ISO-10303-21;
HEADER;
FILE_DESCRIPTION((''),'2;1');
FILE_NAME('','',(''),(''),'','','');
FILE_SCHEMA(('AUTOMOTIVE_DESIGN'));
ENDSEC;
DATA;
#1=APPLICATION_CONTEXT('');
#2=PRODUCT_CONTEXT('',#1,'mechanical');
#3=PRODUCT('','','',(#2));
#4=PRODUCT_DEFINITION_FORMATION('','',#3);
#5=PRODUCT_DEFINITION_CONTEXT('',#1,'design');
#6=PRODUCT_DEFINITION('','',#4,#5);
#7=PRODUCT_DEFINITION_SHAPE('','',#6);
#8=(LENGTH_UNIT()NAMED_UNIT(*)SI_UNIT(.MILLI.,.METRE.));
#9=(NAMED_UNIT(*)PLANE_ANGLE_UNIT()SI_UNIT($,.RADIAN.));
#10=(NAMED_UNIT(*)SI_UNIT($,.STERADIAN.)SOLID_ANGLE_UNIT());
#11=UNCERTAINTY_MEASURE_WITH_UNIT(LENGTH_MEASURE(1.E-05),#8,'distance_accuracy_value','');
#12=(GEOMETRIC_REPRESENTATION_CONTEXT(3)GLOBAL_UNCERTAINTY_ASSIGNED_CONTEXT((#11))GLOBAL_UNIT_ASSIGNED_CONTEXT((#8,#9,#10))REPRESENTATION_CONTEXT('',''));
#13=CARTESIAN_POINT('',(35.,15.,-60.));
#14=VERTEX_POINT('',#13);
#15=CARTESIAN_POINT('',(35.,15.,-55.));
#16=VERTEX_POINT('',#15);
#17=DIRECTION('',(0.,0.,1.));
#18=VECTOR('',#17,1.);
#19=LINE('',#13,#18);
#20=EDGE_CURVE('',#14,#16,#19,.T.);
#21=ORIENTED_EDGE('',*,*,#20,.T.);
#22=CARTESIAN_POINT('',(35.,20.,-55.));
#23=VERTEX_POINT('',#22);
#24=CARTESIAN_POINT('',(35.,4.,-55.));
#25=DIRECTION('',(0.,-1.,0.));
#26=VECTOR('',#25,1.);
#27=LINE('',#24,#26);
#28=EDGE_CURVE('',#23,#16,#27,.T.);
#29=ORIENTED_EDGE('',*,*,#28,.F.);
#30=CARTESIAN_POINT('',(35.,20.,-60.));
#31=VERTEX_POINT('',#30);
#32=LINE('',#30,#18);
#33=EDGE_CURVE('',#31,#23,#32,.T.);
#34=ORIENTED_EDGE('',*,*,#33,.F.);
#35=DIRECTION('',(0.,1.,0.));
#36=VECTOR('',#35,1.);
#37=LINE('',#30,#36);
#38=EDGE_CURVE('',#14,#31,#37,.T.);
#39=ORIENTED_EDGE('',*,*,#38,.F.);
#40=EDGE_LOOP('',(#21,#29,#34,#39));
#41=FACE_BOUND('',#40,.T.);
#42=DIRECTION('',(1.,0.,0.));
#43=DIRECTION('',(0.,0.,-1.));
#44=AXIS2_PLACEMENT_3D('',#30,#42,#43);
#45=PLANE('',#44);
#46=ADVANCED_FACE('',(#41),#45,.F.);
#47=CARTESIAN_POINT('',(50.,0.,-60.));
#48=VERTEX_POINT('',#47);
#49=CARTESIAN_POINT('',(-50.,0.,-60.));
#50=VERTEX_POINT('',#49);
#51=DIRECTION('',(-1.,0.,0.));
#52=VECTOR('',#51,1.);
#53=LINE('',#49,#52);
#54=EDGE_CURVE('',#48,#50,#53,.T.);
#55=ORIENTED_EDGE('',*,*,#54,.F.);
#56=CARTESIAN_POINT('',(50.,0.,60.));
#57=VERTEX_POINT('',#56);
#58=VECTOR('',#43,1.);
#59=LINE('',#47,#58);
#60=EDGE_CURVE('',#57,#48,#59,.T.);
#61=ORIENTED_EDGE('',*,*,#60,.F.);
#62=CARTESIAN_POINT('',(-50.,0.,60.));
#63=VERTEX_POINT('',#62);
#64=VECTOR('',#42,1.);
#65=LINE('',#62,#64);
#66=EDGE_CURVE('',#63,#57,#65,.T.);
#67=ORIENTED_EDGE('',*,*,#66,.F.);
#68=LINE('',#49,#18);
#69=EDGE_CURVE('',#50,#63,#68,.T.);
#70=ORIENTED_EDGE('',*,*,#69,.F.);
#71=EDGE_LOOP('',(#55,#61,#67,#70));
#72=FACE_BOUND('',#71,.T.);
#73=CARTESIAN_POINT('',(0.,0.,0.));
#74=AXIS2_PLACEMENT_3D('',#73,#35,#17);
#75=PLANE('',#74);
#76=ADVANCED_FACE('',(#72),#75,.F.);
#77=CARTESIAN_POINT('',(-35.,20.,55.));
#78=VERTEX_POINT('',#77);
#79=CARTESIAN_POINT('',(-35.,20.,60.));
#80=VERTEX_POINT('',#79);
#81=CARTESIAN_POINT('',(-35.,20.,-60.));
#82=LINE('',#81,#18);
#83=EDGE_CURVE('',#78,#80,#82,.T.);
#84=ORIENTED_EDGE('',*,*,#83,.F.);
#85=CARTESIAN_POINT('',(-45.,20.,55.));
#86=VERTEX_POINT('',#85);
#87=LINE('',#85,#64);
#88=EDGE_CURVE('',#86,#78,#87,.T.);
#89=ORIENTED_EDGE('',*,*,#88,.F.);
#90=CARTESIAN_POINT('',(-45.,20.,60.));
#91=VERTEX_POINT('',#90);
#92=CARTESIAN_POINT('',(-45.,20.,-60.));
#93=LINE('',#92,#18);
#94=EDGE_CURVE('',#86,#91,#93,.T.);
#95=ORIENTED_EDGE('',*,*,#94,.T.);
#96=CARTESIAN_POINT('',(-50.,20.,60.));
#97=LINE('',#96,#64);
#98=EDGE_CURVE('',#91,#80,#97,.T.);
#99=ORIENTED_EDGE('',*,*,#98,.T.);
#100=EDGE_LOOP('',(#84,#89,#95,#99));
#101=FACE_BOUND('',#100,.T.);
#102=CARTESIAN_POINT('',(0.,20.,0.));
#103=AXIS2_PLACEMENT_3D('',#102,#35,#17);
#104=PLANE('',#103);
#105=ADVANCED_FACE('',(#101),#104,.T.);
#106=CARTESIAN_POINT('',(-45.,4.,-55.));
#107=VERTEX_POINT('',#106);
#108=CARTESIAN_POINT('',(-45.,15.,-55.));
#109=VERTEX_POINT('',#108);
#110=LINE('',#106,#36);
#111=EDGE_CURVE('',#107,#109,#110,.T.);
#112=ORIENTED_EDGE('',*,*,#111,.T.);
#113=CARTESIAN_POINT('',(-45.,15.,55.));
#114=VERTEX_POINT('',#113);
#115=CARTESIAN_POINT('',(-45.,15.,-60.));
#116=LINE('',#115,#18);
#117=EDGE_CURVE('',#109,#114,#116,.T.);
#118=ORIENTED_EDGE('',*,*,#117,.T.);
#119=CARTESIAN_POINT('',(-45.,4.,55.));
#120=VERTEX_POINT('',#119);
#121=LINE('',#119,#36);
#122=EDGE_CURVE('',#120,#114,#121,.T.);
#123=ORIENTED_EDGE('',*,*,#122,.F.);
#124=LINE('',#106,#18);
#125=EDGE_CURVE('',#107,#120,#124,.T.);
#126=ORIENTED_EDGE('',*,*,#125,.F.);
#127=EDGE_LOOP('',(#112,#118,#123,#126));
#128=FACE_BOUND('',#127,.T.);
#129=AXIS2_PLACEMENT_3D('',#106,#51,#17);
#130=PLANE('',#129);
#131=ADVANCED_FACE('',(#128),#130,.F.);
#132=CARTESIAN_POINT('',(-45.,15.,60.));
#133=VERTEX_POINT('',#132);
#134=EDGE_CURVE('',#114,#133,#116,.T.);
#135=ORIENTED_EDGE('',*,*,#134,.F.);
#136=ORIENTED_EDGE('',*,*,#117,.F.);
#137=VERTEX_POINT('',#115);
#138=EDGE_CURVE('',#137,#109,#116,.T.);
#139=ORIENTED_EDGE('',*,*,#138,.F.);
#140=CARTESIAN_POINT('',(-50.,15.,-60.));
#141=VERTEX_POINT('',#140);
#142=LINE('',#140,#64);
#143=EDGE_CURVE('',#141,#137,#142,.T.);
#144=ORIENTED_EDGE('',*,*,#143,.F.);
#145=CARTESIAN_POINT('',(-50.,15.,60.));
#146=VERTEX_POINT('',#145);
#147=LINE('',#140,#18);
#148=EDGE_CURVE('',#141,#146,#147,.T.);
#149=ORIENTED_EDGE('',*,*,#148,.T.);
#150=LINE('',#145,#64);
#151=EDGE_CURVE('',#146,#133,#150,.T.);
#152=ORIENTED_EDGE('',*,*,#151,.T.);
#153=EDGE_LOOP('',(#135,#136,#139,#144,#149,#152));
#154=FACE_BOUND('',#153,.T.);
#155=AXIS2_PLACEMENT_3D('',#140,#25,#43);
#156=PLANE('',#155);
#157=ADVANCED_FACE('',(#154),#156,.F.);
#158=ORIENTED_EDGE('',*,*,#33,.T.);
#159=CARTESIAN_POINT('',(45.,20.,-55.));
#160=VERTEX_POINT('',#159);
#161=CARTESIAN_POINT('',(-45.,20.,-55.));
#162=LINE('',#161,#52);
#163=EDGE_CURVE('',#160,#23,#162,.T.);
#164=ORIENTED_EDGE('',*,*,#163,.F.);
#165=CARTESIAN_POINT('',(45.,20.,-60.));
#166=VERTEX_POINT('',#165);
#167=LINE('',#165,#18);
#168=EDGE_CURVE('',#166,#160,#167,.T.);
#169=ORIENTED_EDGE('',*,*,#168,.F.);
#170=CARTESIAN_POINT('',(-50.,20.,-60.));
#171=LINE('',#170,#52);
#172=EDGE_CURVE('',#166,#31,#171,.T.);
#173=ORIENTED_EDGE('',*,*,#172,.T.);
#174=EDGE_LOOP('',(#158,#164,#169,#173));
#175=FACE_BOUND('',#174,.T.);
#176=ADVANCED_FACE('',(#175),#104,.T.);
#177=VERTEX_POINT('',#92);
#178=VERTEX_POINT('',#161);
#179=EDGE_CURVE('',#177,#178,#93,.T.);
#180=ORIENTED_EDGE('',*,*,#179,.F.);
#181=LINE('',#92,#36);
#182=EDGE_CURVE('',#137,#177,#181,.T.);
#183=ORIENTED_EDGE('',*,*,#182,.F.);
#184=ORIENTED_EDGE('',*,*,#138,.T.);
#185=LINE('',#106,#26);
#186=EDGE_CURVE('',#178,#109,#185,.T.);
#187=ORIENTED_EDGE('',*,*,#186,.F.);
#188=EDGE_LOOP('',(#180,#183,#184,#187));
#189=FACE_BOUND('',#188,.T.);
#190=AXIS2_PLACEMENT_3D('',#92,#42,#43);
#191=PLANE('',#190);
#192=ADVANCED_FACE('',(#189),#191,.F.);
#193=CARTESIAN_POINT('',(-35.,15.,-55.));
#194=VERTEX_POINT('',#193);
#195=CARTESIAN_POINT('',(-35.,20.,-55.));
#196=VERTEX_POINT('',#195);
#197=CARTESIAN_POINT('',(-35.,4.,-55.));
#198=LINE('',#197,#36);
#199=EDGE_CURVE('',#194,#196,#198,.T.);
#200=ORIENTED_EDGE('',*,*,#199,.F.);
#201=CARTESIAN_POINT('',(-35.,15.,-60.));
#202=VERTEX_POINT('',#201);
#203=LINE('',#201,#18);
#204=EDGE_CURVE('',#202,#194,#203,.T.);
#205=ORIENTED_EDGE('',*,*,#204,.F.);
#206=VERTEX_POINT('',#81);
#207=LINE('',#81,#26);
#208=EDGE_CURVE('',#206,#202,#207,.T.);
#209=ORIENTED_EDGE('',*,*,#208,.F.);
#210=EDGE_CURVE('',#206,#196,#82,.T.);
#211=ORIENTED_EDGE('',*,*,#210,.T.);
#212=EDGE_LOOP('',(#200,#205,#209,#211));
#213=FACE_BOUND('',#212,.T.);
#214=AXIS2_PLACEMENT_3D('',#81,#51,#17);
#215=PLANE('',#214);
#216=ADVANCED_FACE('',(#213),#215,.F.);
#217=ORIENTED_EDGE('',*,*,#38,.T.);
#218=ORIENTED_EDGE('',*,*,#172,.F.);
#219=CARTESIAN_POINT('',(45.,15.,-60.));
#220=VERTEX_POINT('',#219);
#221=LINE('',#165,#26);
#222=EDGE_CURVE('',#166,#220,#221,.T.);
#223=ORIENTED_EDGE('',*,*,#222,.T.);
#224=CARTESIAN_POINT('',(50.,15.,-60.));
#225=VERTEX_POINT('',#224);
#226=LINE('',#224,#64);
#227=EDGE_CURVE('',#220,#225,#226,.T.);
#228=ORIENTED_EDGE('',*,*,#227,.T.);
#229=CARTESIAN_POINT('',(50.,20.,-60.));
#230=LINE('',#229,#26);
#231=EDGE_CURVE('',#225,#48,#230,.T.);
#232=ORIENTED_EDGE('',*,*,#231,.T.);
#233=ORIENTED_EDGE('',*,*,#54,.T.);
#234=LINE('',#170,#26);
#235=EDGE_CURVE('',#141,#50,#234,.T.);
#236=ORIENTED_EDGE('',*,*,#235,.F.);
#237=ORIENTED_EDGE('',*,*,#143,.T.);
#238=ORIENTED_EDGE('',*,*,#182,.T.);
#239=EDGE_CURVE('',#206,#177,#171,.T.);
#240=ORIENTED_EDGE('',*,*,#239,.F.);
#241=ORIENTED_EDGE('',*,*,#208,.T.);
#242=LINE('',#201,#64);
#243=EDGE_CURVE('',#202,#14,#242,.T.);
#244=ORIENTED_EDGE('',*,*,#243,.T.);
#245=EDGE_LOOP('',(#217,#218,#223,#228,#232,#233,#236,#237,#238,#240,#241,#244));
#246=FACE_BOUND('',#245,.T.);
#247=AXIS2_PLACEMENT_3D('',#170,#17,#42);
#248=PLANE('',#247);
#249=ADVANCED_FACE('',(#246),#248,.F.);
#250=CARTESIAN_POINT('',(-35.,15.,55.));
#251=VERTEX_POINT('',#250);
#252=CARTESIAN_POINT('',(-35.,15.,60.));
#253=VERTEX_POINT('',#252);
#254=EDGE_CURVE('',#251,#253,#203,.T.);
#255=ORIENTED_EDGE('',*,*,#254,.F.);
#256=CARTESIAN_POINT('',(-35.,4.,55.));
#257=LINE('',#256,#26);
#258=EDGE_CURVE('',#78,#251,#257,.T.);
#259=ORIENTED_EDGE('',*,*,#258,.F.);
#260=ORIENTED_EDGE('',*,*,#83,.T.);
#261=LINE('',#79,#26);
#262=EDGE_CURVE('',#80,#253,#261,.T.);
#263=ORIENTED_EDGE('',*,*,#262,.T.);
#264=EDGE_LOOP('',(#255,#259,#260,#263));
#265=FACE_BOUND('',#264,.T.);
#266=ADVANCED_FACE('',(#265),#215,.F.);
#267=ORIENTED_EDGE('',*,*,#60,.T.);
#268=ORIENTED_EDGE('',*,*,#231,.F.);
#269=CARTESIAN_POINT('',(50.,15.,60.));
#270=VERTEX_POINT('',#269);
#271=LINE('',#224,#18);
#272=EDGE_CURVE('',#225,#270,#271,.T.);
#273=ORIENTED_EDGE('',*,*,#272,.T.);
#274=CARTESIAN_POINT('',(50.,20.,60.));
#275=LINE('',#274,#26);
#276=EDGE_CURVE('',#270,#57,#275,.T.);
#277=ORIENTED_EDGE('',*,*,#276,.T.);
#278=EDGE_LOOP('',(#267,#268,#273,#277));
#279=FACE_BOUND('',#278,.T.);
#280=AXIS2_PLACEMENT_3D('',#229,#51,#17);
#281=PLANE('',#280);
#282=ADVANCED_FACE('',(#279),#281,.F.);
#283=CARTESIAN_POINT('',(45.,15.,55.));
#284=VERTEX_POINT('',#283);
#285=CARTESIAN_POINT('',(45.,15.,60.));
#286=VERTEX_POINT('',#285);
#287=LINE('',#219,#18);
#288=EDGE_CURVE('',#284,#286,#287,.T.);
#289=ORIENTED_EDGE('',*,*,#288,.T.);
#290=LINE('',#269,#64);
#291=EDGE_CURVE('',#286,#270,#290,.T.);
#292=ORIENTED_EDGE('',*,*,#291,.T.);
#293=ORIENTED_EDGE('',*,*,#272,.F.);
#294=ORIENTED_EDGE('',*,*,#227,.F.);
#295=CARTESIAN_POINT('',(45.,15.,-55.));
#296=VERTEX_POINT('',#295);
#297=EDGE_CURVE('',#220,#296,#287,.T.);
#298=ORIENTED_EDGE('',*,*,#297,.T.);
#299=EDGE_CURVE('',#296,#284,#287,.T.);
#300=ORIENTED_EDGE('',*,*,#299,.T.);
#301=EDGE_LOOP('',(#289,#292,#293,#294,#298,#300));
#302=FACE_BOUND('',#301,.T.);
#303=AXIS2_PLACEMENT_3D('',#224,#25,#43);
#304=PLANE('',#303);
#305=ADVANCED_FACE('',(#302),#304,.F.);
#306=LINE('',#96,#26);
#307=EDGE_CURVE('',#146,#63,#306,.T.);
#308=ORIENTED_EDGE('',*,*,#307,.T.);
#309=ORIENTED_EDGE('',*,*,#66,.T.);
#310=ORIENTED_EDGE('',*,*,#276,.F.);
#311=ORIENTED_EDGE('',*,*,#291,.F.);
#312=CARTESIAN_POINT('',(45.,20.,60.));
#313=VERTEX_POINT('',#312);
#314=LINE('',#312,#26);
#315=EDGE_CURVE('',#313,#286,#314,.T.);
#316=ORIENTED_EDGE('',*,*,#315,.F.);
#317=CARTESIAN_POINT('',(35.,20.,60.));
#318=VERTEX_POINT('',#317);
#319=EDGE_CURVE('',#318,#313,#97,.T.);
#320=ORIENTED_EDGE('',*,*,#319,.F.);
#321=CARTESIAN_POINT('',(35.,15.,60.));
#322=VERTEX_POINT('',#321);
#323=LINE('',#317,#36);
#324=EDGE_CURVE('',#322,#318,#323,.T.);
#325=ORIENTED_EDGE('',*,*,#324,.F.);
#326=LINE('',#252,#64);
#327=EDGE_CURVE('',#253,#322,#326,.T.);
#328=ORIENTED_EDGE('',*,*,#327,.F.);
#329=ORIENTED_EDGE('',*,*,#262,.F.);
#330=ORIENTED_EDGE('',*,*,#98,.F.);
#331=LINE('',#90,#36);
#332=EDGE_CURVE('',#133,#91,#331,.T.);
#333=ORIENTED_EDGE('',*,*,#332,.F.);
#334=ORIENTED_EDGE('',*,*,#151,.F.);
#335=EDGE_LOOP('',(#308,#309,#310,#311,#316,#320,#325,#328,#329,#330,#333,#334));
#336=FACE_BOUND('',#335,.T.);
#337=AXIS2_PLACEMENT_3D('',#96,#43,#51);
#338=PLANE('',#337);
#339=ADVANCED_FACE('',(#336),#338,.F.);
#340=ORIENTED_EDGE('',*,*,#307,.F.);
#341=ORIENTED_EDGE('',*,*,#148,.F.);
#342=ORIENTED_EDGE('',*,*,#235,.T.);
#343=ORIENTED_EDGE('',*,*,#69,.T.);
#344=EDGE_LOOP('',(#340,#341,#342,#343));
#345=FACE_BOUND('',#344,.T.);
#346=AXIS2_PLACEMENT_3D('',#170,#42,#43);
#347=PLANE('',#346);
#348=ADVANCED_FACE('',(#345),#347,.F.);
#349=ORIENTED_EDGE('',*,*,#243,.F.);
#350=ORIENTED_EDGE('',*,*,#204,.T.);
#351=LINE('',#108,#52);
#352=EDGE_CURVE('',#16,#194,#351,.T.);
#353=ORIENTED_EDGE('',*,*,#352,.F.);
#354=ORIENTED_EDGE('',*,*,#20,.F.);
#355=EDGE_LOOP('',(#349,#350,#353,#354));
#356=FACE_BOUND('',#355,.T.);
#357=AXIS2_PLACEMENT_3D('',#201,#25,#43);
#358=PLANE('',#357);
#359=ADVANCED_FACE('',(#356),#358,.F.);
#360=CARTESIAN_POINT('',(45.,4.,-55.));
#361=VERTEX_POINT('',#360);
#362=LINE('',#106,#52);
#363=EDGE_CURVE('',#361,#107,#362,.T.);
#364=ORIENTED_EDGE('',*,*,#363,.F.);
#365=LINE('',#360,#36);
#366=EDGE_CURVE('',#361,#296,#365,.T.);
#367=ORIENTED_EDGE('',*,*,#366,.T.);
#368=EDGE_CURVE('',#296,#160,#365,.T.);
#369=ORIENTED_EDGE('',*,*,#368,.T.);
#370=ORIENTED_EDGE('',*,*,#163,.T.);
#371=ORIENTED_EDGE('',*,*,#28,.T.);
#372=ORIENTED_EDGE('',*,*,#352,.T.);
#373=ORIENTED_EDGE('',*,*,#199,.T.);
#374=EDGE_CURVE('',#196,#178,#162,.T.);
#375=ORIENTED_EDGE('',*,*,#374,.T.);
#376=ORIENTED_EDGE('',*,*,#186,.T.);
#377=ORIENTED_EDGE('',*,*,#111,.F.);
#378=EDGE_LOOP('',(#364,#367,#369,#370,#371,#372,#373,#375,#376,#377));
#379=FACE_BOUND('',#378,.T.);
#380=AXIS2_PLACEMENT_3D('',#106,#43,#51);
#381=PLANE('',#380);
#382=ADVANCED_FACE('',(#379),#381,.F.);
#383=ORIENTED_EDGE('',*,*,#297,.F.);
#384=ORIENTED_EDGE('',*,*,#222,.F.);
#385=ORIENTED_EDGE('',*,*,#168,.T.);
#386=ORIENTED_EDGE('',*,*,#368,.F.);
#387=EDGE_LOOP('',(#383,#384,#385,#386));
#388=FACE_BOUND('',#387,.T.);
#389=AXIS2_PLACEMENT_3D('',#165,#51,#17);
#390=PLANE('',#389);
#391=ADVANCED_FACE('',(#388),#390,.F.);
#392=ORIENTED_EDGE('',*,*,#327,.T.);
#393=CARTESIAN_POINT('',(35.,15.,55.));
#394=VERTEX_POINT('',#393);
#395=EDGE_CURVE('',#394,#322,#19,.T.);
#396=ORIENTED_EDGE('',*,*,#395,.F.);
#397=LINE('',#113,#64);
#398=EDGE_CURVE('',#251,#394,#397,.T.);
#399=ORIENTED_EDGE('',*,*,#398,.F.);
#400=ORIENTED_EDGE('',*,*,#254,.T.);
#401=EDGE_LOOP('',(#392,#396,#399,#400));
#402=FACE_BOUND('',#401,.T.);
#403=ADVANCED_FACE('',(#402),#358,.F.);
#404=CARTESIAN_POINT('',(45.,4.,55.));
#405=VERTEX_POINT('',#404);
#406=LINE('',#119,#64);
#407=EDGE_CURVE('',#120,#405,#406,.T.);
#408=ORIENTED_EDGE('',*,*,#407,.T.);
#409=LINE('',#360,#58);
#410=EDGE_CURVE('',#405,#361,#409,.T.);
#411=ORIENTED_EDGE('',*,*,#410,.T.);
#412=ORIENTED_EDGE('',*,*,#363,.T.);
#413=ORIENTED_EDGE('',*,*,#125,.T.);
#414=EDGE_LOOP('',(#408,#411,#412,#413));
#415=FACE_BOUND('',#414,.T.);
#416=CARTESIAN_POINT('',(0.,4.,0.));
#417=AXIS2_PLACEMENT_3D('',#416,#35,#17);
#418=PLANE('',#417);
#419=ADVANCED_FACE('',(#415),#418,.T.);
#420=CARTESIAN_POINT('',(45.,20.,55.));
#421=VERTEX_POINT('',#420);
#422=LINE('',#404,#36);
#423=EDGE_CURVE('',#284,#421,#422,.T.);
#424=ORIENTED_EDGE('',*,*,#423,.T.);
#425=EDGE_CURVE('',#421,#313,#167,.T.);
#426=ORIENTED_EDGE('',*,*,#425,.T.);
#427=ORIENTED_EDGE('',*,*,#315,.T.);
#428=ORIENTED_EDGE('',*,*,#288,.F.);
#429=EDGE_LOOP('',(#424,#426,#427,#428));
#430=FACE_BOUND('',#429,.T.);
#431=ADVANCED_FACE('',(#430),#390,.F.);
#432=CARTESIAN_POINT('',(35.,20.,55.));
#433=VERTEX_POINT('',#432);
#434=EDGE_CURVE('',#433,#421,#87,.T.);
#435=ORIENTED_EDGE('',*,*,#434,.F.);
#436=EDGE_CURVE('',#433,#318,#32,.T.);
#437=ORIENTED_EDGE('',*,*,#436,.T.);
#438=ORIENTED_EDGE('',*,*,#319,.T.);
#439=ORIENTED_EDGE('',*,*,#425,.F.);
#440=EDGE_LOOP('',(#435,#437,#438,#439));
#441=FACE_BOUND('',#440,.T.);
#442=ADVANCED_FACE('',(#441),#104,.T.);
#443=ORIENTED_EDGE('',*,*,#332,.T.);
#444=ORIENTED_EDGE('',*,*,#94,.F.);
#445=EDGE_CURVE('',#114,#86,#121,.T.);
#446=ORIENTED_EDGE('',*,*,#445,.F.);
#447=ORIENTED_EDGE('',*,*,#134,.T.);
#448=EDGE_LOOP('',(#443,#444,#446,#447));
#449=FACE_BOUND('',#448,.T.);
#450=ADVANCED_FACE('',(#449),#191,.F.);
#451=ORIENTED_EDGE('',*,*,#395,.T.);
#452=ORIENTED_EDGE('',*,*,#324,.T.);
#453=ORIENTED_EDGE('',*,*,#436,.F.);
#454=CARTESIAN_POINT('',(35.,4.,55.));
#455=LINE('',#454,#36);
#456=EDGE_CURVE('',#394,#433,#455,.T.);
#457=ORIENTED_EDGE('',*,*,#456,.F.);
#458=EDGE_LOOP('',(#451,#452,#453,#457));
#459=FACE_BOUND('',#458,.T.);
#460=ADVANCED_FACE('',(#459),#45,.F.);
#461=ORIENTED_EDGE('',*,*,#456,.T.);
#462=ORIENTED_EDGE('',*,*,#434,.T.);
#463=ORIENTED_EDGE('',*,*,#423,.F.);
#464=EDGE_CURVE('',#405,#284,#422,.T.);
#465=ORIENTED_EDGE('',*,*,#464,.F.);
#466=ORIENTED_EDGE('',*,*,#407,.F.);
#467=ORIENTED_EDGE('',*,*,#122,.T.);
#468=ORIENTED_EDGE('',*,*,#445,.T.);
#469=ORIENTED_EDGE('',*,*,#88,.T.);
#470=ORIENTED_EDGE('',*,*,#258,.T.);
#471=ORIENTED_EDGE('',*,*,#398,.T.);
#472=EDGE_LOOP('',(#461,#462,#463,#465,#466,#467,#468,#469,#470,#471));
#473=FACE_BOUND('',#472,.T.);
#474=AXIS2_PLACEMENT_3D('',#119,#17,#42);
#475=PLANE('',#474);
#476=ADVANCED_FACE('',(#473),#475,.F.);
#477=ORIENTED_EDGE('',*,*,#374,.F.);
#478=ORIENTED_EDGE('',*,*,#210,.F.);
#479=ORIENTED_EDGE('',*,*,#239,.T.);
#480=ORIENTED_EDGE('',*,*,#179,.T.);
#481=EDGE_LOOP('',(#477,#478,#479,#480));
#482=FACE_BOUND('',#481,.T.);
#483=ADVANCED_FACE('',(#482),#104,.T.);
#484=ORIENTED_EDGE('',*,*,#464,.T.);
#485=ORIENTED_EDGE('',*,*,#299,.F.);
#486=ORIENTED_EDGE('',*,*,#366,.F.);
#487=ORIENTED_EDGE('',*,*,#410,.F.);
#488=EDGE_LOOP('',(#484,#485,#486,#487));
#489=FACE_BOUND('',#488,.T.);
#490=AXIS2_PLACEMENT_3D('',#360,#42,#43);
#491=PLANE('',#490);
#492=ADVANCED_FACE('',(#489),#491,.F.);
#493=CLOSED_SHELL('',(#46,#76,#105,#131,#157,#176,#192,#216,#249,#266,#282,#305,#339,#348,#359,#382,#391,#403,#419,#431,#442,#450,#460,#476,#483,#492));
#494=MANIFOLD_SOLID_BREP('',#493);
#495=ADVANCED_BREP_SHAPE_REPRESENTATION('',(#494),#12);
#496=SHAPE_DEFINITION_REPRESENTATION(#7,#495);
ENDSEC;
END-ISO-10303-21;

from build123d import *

# Parameters (mm, degrees)
SKETCH1_W           = 100
SKETCH1_H           = 120
BOSS_EXTRUDE1_DEPTH = 20
SKETCH2_W           = 90
SKETCH2_H           = 110
CUT_EXTRUDE1_DEPTH  = 16
SKETCH4_W           = 5
SKETCH4_H           = 5
SKETCH4_W_2         = 70
CUT_EXTRUDE2_DEPTH  = 121


with BuildPart() as part:
    # Sketch1 → Boss-Extrude1 (new body)
    with BuildSketch(Plane(origin=(0, 0, 0), x_dir=(1, 0, 0), z_dir=(0, 1, 0))):
        Rectangle(SKETCH1_W, SKETCH1_H)
    extrude(amount=BOSS_EXTRUDE1_DEPTH)

    # Sketch2 → Cut-Extrude1 (cut)
    with BuildSketch(Plane(origin=(0, 20, 0), x_dir=(1, 0, 0), z_dir=(0, 1, 0))):
        Rectangle(SKETCH2_W, SKETCH2_H)
    extrude(amount=-CUT_EXTRUDE1_DEPTH, mode=Mode.SUBTRACT)

    # Sketch4 → Cut-Extrude2 (cut, through all)
    with BuildSketch(Plane.XY.offset(60)):
        with Locations((-47.5, 17.5)):
            Rectangle(SKETCH4_W, SKETCH4_H)
        with Locations((47.5, 17.5)):
            Rectangle(SKETCH4_W, SKETCH4_H)
        with Locations((0, 17.5)):
            Rectangle(SKETCH4_W_2, SKETCH4_H)
    extrude(amount=-CUT_EXTRUDE2_DEPTH, mode=Mode.SUBTRACT)


solid = part.part
